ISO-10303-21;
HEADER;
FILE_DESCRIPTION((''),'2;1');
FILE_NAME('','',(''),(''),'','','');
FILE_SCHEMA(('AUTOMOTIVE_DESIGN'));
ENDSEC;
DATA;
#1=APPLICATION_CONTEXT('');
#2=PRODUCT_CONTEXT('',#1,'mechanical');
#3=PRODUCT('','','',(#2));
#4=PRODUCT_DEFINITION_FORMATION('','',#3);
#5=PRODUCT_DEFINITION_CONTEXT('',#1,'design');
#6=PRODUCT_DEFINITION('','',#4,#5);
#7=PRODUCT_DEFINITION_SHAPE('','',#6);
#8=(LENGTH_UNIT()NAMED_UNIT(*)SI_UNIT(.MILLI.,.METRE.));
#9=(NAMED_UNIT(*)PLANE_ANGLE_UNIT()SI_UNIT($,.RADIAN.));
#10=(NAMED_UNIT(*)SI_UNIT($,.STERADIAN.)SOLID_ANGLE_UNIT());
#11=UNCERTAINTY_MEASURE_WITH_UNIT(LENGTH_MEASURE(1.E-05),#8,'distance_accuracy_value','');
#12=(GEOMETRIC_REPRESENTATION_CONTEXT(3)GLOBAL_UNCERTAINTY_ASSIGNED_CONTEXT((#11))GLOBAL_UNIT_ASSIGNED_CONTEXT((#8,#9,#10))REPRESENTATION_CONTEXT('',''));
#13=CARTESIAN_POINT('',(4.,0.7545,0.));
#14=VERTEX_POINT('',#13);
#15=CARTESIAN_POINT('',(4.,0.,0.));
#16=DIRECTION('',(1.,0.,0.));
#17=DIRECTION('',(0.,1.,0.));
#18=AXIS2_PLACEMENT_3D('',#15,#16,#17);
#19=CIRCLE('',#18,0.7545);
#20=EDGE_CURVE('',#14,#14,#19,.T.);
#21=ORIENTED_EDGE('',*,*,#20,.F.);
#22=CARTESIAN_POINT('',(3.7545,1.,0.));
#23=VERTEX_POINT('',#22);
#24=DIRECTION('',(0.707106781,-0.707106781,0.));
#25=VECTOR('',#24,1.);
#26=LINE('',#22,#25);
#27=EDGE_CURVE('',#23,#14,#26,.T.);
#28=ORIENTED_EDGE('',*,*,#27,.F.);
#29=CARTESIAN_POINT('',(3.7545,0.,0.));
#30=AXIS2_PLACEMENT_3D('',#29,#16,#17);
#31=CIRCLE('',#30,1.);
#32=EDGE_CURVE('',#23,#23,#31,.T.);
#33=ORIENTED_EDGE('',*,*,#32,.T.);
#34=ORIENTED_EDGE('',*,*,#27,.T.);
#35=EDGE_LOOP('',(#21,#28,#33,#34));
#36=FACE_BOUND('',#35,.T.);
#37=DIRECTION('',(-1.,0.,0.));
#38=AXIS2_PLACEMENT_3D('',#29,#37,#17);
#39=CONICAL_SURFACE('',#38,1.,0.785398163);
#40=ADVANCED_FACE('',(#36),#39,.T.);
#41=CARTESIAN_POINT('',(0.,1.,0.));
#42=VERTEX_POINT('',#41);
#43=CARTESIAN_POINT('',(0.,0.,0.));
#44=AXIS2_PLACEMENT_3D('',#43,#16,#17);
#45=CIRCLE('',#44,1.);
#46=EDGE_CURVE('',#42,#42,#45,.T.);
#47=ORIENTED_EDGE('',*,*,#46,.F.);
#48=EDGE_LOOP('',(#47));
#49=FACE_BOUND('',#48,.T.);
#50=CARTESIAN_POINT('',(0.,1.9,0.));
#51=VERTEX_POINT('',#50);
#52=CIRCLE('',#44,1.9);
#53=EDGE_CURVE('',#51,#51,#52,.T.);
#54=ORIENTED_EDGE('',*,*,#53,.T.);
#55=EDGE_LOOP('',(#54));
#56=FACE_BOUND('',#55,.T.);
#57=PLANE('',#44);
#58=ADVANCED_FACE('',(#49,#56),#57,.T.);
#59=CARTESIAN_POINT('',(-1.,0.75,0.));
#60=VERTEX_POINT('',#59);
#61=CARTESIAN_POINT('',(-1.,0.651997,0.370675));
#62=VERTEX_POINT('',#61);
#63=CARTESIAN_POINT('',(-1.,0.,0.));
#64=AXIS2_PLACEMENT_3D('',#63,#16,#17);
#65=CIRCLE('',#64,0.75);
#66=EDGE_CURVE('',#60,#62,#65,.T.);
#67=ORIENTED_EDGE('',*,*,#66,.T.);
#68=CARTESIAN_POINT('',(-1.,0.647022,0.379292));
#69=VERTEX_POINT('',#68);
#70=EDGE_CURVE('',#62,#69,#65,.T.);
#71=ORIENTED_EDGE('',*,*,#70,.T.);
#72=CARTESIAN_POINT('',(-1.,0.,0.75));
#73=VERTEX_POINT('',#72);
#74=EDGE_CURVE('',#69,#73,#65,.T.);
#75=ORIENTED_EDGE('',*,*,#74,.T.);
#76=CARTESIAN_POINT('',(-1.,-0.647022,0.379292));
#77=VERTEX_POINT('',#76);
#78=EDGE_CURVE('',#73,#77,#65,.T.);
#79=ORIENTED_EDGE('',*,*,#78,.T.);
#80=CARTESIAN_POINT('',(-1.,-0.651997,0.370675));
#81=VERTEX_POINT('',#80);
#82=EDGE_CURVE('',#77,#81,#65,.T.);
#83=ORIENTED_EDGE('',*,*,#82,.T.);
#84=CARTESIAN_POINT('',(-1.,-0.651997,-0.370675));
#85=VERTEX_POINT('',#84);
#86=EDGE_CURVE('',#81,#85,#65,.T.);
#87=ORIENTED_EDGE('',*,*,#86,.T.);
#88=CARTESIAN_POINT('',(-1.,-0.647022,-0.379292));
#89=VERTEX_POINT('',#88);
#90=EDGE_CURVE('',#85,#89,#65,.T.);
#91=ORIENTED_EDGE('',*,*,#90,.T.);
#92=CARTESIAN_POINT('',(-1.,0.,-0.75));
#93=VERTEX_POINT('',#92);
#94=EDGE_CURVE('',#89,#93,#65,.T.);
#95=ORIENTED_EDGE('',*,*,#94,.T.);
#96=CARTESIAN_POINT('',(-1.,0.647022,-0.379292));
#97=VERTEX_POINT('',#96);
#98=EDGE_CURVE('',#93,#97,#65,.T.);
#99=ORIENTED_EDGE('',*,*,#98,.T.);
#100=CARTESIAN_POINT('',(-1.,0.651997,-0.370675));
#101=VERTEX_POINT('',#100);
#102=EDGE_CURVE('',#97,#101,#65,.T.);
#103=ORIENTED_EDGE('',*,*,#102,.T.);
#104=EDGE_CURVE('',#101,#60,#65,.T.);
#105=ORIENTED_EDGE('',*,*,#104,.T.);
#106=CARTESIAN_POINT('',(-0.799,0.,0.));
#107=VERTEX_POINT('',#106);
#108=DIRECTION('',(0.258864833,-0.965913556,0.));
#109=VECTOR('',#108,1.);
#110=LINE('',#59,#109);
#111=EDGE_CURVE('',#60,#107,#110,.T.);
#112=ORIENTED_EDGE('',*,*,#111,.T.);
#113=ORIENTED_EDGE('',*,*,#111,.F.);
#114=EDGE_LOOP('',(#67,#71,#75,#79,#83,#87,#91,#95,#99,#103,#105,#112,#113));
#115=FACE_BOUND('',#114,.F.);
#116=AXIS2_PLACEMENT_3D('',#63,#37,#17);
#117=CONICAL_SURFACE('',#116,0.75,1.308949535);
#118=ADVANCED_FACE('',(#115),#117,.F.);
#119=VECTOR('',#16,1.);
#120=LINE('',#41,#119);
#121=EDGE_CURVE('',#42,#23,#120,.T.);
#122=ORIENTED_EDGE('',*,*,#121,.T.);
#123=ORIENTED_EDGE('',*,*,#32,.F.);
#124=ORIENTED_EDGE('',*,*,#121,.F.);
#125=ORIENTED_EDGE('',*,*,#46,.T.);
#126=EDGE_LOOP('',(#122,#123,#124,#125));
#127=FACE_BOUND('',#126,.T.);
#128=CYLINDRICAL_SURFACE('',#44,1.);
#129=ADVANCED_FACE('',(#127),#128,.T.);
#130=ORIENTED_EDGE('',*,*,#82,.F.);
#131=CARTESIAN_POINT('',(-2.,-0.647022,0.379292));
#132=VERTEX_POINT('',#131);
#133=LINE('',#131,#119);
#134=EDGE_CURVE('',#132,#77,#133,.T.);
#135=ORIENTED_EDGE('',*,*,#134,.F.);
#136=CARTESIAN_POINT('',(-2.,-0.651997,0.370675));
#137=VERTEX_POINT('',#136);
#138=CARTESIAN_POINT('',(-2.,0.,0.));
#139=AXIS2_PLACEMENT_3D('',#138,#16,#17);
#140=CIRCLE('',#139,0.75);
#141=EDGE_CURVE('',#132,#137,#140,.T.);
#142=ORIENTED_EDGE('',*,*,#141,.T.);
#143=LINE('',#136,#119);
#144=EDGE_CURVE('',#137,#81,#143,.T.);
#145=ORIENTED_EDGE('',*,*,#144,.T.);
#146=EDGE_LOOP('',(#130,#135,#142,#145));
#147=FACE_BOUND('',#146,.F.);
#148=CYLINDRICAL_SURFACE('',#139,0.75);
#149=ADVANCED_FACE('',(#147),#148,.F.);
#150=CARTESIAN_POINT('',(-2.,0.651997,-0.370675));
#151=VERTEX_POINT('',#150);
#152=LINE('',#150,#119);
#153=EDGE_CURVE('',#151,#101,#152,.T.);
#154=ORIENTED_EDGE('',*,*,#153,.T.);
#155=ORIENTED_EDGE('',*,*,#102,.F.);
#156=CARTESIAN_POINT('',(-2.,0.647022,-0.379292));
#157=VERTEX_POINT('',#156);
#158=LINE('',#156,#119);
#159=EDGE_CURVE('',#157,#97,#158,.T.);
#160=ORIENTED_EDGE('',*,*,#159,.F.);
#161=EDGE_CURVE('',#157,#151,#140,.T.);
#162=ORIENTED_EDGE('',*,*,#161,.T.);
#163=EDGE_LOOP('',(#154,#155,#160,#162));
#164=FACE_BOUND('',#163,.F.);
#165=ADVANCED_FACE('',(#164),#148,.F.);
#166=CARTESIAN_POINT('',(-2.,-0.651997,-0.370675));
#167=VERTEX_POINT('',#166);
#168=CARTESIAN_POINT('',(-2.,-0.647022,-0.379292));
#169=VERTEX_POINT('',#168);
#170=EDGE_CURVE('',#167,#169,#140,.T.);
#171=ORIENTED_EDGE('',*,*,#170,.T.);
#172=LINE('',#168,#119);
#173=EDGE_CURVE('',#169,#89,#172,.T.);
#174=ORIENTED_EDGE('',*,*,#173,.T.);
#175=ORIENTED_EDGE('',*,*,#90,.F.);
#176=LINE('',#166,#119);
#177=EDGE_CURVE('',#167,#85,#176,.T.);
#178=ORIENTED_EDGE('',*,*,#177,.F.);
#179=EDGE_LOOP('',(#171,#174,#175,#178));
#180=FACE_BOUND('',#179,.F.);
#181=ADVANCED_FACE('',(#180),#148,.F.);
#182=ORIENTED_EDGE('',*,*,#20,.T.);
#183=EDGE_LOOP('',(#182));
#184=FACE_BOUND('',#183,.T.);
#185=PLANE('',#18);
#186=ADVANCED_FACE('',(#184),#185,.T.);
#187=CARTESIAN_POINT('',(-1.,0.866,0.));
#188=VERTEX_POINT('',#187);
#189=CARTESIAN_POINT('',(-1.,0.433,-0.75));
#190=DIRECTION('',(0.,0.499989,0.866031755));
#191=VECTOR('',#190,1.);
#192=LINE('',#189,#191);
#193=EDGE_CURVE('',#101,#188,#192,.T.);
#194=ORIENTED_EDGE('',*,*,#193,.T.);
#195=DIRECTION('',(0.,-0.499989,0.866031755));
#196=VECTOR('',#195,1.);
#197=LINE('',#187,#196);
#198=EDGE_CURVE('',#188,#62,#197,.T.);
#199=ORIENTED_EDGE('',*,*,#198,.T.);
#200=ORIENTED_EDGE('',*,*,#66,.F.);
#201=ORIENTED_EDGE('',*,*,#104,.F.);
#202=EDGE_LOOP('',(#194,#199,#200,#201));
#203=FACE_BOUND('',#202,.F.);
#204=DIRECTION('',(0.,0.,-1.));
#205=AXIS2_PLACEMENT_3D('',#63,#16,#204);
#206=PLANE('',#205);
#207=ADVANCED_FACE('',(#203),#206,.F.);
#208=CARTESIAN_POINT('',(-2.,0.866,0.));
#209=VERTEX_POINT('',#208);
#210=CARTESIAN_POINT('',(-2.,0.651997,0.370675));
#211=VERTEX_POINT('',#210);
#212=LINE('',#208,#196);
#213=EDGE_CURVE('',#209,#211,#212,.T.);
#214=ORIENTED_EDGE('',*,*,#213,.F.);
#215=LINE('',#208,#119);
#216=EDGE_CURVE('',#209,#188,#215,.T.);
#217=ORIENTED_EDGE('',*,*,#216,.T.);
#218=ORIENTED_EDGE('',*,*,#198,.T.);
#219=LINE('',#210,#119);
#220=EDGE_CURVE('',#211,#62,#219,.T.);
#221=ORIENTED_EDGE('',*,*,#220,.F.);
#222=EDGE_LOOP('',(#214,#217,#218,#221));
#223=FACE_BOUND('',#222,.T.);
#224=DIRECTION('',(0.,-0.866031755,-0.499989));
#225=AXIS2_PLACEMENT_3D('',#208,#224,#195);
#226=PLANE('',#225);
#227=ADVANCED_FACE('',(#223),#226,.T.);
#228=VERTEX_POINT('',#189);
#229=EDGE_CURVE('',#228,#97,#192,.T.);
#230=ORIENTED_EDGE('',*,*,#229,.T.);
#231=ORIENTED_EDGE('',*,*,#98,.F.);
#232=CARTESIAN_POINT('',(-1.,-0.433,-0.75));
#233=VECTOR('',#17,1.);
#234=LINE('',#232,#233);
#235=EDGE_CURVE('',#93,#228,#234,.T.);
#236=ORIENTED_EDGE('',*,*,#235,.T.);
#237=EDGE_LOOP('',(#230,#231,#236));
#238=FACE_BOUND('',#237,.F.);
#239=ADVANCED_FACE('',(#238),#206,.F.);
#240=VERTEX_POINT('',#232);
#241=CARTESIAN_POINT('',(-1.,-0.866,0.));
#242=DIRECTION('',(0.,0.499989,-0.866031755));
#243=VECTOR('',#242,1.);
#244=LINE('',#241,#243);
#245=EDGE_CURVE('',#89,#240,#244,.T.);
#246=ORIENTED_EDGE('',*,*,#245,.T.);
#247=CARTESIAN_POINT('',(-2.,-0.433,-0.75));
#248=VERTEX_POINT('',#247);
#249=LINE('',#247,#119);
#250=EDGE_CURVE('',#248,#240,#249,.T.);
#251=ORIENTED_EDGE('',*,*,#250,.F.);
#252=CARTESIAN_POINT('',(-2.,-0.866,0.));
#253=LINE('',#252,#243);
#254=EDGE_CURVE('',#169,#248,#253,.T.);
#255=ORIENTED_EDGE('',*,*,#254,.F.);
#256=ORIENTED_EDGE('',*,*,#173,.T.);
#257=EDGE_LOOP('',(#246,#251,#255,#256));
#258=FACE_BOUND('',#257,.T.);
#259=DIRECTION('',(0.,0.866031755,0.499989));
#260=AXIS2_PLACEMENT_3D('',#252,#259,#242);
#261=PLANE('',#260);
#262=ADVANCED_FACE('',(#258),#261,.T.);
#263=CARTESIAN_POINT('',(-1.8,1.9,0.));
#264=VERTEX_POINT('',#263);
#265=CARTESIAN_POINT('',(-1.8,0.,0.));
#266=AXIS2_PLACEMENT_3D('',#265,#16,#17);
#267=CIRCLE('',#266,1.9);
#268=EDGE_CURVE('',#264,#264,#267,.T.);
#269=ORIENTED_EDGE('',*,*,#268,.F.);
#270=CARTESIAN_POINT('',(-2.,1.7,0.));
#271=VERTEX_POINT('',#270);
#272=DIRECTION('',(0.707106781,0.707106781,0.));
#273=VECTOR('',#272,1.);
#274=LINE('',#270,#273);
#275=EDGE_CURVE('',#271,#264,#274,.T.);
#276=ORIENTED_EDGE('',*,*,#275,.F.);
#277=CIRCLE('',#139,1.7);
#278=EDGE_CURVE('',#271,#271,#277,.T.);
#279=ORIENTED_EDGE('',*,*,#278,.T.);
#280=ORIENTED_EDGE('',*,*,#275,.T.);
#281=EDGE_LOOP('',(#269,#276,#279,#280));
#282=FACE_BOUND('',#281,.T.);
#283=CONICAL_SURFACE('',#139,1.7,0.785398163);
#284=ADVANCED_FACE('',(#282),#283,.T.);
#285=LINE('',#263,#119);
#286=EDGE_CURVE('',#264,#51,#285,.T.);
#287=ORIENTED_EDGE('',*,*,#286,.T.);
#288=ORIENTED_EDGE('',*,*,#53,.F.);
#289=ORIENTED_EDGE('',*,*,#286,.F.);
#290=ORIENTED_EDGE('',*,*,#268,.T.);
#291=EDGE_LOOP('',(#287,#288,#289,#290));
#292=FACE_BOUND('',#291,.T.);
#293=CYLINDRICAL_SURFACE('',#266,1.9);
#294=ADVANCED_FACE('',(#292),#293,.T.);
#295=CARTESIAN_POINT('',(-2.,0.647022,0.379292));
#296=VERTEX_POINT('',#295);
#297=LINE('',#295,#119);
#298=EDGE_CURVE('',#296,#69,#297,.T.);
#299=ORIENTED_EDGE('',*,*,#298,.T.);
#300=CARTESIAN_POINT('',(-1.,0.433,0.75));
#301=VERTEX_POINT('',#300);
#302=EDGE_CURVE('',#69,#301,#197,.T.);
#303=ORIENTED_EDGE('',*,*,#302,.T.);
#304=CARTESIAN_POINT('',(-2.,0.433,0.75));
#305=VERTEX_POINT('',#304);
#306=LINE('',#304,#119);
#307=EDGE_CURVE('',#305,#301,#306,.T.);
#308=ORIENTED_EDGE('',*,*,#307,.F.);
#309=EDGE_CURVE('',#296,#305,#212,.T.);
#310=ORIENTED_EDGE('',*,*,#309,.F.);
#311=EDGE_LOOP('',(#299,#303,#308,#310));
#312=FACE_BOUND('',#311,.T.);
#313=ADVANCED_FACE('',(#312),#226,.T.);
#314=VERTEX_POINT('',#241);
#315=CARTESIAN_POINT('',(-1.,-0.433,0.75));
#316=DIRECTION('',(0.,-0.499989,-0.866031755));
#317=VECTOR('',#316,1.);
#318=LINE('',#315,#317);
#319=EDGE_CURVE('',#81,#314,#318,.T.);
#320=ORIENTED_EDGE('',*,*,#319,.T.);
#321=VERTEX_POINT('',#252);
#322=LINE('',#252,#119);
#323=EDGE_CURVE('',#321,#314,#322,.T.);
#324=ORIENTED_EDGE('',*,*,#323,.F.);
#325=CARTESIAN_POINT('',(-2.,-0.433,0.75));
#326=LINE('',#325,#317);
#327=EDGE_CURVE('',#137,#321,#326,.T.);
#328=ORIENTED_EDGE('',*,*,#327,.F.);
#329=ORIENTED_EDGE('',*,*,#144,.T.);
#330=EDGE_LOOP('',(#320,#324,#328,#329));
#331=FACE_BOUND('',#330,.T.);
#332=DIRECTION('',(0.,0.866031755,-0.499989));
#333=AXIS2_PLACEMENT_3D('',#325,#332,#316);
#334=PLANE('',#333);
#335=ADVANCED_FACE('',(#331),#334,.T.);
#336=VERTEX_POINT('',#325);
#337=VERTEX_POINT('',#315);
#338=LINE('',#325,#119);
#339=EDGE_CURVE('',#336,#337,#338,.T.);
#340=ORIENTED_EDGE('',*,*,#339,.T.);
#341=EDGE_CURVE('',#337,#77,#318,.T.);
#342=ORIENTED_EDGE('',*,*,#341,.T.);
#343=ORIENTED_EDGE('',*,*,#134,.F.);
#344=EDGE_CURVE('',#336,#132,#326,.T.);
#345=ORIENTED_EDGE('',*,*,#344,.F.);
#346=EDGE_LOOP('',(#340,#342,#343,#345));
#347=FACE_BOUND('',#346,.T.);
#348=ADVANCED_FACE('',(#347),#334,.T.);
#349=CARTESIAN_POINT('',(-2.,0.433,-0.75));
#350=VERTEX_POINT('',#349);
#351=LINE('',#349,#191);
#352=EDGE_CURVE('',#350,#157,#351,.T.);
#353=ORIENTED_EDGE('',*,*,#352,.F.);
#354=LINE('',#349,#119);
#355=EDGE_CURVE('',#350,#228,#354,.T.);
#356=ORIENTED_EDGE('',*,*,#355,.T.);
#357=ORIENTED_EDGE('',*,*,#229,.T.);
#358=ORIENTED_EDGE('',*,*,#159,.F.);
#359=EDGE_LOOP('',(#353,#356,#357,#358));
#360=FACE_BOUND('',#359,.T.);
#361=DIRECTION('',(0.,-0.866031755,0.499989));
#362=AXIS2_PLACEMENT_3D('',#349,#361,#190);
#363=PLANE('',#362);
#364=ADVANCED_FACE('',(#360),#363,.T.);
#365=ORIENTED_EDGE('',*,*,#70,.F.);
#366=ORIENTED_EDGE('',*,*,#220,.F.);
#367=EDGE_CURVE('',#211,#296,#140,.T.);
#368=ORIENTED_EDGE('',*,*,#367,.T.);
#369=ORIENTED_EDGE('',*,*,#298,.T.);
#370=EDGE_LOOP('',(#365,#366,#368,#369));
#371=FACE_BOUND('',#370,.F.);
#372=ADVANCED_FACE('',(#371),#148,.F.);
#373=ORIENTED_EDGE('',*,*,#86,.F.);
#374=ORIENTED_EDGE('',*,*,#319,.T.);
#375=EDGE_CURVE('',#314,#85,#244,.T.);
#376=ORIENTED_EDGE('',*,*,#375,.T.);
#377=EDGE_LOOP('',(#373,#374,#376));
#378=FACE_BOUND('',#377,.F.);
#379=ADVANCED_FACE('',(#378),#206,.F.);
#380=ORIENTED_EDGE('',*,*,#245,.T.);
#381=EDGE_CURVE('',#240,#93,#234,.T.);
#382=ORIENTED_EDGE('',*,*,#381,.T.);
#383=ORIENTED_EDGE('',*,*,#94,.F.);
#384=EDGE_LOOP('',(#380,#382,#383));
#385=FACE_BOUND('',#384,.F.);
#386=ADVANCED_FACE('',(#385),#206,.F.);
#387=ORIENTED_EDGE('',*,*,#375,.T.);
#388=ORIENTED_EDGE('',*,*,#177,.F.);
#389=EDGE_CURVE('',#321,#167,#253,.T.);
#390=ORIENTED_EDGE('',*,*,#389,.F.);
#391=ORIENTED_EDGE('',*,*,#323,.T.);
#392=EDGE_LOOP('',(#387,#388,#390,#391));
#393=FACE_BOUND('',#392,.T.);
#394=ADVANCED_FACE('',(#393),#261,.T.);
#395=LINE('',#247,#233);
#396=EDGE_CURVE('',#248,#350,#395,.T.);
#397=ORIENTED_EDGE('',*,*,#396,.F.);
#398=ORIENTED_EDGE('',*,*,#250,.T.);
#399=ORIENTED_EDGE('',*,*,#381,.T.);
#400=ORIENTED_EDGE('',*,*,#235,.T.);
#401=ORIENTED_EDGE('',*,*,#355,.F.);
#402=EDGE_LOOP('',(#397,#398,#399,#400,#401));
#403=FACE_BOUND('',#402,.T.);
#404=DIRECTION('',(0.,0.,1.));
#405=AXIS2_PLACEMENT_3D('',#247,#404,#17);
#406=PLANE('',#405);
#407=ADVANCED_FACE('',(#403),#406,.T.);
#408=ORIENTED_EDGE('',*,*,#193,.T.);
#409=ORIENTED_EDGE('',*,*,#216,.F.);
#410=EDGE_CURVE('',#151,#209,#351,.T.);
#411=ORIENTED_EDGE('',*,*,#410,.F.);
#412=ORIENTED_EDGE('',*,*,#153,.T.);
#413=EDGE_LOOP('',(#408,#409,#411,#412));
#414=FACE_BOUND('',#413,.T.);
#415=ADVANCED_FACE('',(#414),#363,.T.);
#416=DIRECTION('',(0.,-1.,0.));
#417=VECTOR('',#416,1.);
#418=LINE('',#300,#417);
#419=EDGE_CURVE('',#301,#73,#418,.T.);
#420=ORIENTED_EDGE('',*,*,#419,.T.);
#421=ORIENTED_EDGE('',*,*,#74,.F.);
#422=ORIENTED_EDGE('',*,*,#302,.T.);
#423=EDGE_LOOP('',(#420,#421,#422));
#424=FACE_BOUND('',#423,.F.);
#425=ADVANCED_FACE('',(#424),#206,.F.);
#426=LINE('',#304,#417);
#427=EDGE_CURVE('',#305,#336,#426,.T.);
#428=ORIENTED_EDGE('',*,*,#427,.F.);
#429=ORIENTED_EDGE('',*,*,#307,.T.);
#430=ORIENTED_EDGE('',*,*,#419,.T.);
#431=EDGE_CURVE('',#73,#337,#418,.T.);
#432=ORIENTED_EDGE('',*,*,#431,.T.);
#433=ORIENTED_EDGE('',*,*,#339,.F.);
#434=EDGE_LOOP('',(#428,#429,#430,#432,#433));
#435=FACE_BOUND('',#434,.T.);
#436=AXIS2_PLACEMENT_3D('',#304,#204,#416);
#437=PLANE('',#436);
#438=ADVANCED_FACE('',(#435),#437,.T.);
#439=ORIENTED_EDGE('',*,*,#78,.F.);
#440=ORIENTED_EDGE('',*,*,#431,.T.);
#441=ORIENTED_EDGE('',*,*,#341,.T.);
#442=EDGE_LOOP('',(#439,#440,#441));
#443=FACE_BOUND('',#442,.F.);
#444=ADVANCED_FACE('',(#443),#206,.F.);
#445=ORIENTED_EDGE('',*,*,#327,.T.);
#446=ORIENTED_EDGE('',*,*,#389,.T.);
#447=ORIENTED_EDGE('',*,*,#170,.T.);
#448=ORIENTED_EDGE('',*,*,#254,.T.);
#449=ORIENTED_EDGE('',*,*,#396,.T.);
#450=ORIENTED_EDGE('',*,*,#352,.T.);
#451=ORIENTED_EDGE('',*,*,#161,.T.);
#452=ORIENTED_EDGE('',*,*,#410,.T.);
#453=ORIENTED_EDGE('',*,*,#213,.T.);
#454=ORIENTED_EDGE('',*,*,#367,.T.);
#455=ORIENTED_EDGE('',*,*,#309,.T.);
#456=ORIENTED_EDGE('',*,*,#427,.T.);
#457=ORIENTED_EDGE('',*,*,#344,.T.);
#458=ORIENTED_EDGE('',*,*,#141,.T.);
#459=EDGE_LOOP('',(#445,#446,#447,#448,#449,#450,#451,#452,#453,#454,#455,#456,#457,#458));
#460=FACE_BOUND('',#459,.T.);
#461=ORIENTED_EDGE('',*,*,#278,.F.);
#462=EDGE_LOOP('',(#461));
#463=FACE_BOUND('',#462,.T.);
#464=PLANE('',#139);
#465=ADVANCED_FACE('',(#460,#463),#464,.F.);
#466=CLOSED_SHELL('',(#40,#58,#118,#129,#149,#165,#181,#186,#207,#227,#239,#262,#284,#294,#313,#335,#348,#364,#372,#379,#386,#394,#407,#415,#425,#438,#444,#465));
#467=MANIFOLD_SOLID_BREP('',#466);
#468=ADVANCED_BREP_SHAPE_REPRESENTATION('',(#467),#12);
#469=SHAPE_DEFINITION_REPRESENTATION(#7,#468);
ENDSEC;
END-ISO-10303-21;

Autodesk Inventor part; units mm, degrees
sketch "Sketch_1" plane through (0, 0, 0) normal (0, 0, 1) x (1, 0, 0)
  line L0 (4, 0) -> (-2, 0)
  line L1 (-2, 0) -> (-2, 1.7)
  line L2 (-2, 1.7) -> (-1.8, 1.9)
  line L3 (-1.8, 1.9) -> (0, 1.9)
  line L4 (0, 1.9) -> (0, 1)
  line L5 (0, 1) -> (3.7545, 1)
  line L6 (3.7545, 1) -> (4, 0.7545)
  line L7 (4, 0.7545) -> (4, 0)
  line L8 (4, 0) -> (-2, 0)
revolve "Revolution1" add sketch "Sketch_1" angle 360 about axis through (4, 0, 0) along (1, 0, 0)
thread "Thread1" size "M2x0.4" class "6g" standard "ISO Metric profile" length 2.7545
sketch "Sketch_4_ALT_Drilling_1" plane through (0, 0, 0) normal (0, 0, 1) x (1, 0, 0)
  line L0 (-0.799, 0) -> (-2, 0)
  line L1 (-2, 0) -> (-2, 0.75)
  line L2 (-2, 0.75) -> (-1, 0.75)
  line L3 (-1, 0.75) -> (-0.799, 0)
  line L4 (-0.799, 0) -> (-2, 0)
revolve "Revolution2" cut sketch "Sketch_4_ALT_Drilling_1" angle 360 about axis through (-0.799, 0, 0) along (1, 0, 0)
sketch "Sketch_3" plane through (-2, 0, 0) normal (1, 0, 0) x (0, 0, -1)
  line L0 (-0.75, -0.433) -> (0, -0.866)
  line L1 (0, -0.866) -> (0.75, -0.433)
  line L2 (0.75, -0.433) -> (0.75, 0.433)
  line L3 (0.75, 0.433) -> (0, 0.866)
  line L4 (0, 0.866) -> (-0.75, 0.433)
  line L5 (-0.75, 0.433) -> (-0.75, -0.433)
extrude "Extrusion1" cut sketch "Sketch_3" along normal blind 1
ref_plane "bolt_to_nut_XY" through (4, 0, 0) normal (1, 0, 0) x (0, 0, -1)
ref_plane "bolt_to_nut_YZ" through (4, 0, 0) normal (0, 0, -1) x (0, 1, 0)
ref_plane "bolt_to_nut_ZX" through (4, 0, 0) normal (0, 1, 0) x (1, 0, 0)
ref_plane "screw1_XY" through (0, 0, 0) normal (1, 0, 0) x (0, 0, -1)
ref_plane "screw1_YZ" through (0, 0, 0) normal (0, 0, -1) x (0, 1, 0)
ref_plane "screw1_ZX" through (0, 0, 0) normal (0, 1, 0) x (1, 0, 0)
properties part number "CB2-4" material "鋼、炭素鋼"
